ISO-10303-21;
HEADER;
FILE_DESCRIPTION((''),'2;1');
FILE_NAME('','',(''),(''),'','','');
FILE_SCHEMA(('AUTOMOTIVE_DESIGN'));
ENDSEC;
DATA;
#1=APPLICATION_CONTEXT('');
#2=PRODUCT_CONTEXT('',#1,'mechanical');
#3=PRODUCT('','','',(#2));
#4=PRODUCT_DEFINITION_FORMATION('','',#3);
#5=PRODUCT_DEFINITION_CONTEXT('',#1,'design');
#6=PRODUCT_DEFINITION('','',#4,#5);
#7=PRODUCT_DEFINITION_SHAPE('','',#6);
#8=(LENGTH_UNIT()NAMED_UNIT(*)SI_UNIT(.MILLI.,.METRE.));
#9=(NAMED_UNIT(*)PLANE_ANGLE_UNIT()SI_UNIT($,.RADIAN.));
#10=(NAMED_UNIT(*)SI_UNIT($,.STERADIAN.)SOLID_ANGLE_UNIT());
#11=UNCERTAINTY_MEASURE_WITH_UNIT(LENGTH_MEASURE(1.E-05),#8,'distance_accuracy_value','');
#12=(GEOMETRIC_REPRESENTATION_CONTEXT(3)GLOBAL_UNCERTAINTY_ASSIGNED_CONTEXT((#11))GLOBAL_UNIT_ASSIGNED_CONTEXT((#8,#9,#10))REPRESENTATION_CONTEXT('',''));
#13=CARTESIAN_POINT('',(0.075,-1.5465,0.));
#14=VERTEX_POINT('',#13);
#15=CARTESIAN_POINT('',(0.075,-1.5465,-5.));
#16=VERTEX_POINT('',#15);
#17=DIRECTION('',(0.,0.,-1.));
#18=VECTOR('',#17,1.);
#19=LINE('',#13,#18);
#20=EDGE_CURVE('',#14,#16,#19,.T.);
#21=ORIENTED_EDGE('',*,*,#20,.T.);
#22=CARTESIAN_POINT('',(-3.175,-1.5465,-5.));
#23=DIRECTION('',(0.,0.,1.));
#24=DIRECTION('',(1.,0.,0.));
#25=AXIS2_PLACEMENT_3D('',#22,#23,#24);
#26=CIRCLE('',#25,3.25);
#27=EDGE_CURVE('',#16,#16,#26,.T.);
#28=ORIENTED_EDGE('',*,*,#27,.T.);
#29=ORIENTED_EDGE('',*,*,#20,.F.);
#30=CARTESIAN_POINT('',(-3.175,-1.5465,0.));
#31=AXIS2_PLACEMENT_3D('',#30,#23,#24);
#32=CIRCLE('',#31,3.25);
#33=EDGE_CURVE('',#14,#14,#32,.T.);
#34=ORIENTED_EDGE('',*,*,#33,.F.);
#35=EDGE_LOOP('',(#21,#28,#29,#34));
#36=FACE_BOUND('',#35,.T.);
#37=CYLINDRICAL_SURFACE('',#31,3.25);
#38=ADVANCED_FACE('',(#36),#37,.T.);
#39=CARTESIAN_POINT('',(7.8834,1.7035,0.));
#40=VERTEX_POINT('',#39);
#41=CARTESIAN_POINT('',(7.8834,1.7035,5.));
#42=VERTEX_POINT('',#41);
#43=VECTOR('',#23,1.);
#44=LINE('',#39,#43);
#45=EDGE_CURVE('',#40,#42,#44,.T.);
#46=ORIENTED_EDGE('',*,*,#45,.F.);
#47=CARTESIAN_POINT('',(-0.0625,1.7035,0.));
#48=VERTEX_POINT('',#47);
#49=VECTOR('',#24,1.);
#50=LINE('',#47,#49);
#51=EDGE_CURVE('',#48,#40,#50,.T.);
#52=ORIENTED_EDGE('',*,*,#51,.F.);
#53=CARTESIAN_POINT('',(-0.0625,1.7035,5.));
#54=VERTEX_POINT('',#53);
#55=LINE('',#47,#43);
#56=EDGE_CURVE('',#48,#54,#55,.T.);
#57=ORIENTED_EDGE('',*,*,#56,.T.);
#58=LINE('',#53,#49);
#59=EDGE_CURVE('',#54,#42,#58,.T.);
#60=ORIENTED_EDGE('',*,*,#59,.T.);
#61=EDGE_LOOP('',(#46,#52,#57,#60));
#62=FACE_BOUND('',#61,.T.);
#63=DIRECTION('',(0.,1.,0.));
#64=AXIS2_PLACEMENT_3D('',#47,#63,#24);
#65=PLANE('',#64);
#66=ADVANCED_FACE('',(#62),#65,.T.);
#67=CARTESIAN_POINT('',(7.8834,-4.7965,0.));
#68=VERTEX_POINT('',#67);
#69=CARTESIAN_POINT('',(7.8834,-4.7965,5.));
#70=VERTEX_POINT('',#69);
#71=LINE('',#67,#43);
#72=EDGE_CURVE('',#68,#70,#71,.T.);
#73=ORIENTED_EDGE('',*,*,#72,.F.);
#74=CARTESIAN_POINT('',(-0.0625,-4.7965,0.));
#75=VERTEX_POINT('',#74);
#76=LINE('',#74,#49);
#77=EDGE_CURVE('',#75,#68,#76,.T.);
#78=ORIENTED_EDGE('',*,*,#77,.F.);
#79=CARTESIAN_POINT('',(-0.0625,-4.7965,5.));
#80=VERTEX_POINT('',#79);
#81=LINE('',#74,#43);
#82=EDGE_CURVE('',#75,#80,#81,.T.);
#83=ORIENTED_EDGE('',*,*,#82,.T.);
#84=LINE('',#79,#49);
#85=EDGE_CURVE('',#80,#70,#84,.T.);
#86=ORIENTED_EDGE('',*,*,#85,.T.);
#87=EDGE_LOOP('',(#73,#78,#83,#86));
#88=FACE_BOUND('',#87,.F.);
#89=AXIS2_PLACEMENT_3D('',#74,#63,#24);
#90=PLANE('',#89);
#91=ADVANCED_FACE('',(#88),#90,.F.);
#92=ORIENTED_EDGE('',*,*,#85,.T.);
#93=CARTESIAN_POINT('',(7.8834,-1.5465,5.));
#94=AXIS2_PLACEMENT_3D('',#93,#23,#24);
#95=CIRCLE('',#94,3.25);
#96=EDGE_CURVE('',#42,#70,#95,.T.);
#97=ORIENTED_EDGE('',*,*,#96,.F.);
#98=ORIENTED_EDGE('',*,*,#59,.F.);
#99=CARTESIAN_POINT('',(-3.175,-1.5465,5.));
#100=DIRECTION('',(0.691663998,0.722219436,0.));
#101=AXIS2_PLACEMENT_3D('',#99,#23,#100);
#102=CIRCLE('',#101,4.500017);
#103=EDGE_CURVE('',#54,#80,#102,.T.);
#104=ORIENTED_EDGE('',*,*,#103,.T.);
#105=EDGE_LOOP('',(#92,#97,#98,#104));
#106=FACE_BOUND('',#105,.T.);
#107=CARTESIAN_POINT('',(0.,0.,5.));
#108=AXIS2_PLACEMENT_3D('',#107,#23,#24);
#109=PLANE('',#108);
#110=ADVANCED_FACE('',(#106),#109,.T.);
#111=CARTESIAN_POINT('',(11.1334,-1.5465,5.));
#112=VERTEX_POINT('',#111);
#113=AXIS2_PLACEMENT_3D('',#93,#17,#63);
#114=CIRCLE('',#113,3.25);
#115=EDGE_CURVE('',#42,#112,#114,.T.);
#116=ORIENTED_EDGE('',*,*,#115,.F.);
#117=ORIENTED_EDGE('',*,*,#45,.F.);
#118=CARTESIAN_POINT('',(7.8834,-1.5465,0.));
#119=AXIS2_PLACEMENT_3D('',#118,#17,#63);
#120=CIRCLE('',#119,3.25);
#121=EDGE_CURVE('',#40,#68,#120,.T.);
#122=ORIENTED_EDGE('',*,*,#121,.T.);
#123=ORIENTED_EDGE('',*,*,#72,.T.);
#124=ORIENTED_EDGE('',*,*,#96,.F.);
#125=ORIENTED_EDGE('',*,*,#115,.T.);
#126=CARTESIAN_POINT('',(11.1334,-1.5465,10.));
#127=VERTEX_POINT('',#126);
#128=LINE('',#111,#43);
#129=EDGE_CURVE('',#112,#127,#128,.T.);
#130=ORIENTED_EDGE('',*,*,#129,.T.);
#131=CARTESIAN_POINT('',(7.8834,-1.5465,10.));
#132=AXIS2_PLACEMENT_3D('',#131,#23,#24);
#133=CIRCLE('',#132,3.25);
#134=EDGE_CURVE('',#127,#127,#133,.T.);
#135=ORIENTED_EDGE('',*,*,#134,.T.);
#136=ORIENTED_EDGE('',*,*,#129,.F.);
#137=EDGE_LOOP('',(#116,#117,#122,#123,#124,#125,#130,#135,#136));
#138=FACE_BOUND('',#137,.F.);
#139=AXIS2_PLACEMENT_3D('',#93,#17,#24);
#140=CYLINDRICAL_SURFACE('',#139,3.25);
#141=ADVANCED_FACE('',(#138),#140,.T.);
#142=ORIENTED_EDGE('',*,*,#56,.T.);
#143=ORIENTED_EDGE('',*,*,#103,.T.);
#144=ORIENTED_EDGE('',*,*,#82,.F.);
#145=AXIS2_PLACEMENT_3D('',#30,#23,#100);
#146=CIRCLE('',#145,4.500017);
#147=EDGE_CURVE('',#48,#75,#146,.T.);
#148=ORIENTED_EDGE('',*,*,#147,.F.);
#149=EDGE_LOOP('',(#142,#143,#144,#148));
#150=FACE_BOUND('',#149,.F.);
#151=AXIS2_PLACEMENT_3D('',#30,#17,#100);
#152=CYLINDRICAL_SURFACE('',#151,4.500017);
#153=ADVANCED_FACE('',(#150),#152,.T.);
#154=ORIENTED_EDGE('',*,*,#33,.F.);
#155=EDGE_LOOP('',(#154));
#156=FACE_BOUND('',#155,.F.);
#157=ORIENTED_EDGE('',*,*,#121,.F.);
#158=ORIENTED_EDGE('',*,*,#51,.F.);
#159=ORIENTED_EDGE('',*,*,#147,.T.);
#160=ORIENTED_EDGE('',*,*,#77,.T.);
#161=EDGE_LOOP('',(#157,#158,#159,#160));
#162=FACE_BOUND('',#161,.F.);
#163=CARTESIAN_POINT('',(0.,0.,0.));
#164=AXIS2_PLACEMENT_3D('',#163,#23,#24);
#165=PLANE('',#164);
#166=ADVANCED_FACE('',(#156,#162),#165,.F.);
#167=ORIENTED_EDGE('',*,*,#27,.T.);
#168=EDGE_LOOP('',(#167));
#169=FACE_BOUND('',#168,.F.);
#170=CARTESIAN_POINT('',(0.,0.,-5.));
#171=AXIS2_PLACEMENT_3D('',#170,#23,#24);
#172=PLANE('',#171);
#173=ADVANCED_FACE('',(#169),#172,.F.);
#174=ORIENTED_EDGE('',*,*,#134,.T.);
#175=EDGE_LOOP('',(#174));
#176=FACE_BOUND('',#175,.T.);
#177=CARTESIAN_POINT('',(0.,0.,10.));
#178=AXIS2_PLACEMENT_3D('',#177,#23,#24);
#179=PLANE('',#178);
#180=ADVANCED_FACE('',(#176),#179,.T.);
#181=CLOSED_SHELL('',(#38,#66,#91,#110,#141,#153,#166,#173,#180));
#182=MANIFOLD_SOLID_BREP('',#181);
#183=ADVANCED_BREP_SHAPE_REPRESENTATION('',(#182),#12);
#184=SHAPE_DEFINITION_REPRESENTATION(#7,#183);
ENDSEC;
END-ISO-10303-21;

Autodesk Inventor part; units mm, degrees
ref_plane "YZ Plane" through (0, 0, 0) normal (1, 0, 0) x (0, 1, 0)
ref_plane "XZ Plane" through (0, 0, 0) normal (0, 1, 0) x (-1, 0, 0)
ref_plane "XY Plane" through (0, 0, 0) normal (0, 0, 1) x (1, 0, 0)
sketch "Sketch2" plane through (0, 0, 0) normal (0, 0, 1) x (1, 0, 0)
  circle A0 centre (-3.175, -1.5465) radius 3.25
  line L0 (-0.0625, 1.7035) -> (7.8834, 1.7035)
  arc A1 (-0.0625, 1.7035) -> (-0.0625, -4.7965) centre (-3.175, -1.5465) ccw
  circle A2 centre (7.8834, -1.5465) radius 3.25
  line L1 (-11.3863, -1.5465) -> (20.6188, -1.5465) construction
  line L2 (-0.0625, -4.7965) -> (7.8834, -4.7965)
  point P0 (9.6395, 1.7844)
  dimension "d6" = 11.0584
  dimension "d7" = 6.5
  dimension "d8" = 6.5
  dimension "d9" = 9
extrude "Extrusion1" add sketch "Sketch2" along normal blind 5 contours A0 | L0 A2 L2 A1 | A2
extrude "Extrusion2" add sketch "Sketch2" against normal blind 5 contours A0
sketch "Sketch3" plane through (0, 0, 5) normal (0, 0, 1) x (1, 0, 0)
  circle A0 centre (7.8834, -1.5465) radius 3.25 projected
  point P0 (0, 0)
extrude "Extrusion3" add sketch "Sketch3" along normal blind 5
equation "\"d7\" = width"
equation "\"d8\" = width"
equation "\"d9\" = R1"
equation "\"d0\" = thickness"
equation "\"d2\" = thickness"
equation "\"d4\" = thickness"
equation "\"R\" = 6.5"
equation "\"thickness\" = 5"
equation "\"width\" = 6.5"
equation "\"R1\" = 9"
